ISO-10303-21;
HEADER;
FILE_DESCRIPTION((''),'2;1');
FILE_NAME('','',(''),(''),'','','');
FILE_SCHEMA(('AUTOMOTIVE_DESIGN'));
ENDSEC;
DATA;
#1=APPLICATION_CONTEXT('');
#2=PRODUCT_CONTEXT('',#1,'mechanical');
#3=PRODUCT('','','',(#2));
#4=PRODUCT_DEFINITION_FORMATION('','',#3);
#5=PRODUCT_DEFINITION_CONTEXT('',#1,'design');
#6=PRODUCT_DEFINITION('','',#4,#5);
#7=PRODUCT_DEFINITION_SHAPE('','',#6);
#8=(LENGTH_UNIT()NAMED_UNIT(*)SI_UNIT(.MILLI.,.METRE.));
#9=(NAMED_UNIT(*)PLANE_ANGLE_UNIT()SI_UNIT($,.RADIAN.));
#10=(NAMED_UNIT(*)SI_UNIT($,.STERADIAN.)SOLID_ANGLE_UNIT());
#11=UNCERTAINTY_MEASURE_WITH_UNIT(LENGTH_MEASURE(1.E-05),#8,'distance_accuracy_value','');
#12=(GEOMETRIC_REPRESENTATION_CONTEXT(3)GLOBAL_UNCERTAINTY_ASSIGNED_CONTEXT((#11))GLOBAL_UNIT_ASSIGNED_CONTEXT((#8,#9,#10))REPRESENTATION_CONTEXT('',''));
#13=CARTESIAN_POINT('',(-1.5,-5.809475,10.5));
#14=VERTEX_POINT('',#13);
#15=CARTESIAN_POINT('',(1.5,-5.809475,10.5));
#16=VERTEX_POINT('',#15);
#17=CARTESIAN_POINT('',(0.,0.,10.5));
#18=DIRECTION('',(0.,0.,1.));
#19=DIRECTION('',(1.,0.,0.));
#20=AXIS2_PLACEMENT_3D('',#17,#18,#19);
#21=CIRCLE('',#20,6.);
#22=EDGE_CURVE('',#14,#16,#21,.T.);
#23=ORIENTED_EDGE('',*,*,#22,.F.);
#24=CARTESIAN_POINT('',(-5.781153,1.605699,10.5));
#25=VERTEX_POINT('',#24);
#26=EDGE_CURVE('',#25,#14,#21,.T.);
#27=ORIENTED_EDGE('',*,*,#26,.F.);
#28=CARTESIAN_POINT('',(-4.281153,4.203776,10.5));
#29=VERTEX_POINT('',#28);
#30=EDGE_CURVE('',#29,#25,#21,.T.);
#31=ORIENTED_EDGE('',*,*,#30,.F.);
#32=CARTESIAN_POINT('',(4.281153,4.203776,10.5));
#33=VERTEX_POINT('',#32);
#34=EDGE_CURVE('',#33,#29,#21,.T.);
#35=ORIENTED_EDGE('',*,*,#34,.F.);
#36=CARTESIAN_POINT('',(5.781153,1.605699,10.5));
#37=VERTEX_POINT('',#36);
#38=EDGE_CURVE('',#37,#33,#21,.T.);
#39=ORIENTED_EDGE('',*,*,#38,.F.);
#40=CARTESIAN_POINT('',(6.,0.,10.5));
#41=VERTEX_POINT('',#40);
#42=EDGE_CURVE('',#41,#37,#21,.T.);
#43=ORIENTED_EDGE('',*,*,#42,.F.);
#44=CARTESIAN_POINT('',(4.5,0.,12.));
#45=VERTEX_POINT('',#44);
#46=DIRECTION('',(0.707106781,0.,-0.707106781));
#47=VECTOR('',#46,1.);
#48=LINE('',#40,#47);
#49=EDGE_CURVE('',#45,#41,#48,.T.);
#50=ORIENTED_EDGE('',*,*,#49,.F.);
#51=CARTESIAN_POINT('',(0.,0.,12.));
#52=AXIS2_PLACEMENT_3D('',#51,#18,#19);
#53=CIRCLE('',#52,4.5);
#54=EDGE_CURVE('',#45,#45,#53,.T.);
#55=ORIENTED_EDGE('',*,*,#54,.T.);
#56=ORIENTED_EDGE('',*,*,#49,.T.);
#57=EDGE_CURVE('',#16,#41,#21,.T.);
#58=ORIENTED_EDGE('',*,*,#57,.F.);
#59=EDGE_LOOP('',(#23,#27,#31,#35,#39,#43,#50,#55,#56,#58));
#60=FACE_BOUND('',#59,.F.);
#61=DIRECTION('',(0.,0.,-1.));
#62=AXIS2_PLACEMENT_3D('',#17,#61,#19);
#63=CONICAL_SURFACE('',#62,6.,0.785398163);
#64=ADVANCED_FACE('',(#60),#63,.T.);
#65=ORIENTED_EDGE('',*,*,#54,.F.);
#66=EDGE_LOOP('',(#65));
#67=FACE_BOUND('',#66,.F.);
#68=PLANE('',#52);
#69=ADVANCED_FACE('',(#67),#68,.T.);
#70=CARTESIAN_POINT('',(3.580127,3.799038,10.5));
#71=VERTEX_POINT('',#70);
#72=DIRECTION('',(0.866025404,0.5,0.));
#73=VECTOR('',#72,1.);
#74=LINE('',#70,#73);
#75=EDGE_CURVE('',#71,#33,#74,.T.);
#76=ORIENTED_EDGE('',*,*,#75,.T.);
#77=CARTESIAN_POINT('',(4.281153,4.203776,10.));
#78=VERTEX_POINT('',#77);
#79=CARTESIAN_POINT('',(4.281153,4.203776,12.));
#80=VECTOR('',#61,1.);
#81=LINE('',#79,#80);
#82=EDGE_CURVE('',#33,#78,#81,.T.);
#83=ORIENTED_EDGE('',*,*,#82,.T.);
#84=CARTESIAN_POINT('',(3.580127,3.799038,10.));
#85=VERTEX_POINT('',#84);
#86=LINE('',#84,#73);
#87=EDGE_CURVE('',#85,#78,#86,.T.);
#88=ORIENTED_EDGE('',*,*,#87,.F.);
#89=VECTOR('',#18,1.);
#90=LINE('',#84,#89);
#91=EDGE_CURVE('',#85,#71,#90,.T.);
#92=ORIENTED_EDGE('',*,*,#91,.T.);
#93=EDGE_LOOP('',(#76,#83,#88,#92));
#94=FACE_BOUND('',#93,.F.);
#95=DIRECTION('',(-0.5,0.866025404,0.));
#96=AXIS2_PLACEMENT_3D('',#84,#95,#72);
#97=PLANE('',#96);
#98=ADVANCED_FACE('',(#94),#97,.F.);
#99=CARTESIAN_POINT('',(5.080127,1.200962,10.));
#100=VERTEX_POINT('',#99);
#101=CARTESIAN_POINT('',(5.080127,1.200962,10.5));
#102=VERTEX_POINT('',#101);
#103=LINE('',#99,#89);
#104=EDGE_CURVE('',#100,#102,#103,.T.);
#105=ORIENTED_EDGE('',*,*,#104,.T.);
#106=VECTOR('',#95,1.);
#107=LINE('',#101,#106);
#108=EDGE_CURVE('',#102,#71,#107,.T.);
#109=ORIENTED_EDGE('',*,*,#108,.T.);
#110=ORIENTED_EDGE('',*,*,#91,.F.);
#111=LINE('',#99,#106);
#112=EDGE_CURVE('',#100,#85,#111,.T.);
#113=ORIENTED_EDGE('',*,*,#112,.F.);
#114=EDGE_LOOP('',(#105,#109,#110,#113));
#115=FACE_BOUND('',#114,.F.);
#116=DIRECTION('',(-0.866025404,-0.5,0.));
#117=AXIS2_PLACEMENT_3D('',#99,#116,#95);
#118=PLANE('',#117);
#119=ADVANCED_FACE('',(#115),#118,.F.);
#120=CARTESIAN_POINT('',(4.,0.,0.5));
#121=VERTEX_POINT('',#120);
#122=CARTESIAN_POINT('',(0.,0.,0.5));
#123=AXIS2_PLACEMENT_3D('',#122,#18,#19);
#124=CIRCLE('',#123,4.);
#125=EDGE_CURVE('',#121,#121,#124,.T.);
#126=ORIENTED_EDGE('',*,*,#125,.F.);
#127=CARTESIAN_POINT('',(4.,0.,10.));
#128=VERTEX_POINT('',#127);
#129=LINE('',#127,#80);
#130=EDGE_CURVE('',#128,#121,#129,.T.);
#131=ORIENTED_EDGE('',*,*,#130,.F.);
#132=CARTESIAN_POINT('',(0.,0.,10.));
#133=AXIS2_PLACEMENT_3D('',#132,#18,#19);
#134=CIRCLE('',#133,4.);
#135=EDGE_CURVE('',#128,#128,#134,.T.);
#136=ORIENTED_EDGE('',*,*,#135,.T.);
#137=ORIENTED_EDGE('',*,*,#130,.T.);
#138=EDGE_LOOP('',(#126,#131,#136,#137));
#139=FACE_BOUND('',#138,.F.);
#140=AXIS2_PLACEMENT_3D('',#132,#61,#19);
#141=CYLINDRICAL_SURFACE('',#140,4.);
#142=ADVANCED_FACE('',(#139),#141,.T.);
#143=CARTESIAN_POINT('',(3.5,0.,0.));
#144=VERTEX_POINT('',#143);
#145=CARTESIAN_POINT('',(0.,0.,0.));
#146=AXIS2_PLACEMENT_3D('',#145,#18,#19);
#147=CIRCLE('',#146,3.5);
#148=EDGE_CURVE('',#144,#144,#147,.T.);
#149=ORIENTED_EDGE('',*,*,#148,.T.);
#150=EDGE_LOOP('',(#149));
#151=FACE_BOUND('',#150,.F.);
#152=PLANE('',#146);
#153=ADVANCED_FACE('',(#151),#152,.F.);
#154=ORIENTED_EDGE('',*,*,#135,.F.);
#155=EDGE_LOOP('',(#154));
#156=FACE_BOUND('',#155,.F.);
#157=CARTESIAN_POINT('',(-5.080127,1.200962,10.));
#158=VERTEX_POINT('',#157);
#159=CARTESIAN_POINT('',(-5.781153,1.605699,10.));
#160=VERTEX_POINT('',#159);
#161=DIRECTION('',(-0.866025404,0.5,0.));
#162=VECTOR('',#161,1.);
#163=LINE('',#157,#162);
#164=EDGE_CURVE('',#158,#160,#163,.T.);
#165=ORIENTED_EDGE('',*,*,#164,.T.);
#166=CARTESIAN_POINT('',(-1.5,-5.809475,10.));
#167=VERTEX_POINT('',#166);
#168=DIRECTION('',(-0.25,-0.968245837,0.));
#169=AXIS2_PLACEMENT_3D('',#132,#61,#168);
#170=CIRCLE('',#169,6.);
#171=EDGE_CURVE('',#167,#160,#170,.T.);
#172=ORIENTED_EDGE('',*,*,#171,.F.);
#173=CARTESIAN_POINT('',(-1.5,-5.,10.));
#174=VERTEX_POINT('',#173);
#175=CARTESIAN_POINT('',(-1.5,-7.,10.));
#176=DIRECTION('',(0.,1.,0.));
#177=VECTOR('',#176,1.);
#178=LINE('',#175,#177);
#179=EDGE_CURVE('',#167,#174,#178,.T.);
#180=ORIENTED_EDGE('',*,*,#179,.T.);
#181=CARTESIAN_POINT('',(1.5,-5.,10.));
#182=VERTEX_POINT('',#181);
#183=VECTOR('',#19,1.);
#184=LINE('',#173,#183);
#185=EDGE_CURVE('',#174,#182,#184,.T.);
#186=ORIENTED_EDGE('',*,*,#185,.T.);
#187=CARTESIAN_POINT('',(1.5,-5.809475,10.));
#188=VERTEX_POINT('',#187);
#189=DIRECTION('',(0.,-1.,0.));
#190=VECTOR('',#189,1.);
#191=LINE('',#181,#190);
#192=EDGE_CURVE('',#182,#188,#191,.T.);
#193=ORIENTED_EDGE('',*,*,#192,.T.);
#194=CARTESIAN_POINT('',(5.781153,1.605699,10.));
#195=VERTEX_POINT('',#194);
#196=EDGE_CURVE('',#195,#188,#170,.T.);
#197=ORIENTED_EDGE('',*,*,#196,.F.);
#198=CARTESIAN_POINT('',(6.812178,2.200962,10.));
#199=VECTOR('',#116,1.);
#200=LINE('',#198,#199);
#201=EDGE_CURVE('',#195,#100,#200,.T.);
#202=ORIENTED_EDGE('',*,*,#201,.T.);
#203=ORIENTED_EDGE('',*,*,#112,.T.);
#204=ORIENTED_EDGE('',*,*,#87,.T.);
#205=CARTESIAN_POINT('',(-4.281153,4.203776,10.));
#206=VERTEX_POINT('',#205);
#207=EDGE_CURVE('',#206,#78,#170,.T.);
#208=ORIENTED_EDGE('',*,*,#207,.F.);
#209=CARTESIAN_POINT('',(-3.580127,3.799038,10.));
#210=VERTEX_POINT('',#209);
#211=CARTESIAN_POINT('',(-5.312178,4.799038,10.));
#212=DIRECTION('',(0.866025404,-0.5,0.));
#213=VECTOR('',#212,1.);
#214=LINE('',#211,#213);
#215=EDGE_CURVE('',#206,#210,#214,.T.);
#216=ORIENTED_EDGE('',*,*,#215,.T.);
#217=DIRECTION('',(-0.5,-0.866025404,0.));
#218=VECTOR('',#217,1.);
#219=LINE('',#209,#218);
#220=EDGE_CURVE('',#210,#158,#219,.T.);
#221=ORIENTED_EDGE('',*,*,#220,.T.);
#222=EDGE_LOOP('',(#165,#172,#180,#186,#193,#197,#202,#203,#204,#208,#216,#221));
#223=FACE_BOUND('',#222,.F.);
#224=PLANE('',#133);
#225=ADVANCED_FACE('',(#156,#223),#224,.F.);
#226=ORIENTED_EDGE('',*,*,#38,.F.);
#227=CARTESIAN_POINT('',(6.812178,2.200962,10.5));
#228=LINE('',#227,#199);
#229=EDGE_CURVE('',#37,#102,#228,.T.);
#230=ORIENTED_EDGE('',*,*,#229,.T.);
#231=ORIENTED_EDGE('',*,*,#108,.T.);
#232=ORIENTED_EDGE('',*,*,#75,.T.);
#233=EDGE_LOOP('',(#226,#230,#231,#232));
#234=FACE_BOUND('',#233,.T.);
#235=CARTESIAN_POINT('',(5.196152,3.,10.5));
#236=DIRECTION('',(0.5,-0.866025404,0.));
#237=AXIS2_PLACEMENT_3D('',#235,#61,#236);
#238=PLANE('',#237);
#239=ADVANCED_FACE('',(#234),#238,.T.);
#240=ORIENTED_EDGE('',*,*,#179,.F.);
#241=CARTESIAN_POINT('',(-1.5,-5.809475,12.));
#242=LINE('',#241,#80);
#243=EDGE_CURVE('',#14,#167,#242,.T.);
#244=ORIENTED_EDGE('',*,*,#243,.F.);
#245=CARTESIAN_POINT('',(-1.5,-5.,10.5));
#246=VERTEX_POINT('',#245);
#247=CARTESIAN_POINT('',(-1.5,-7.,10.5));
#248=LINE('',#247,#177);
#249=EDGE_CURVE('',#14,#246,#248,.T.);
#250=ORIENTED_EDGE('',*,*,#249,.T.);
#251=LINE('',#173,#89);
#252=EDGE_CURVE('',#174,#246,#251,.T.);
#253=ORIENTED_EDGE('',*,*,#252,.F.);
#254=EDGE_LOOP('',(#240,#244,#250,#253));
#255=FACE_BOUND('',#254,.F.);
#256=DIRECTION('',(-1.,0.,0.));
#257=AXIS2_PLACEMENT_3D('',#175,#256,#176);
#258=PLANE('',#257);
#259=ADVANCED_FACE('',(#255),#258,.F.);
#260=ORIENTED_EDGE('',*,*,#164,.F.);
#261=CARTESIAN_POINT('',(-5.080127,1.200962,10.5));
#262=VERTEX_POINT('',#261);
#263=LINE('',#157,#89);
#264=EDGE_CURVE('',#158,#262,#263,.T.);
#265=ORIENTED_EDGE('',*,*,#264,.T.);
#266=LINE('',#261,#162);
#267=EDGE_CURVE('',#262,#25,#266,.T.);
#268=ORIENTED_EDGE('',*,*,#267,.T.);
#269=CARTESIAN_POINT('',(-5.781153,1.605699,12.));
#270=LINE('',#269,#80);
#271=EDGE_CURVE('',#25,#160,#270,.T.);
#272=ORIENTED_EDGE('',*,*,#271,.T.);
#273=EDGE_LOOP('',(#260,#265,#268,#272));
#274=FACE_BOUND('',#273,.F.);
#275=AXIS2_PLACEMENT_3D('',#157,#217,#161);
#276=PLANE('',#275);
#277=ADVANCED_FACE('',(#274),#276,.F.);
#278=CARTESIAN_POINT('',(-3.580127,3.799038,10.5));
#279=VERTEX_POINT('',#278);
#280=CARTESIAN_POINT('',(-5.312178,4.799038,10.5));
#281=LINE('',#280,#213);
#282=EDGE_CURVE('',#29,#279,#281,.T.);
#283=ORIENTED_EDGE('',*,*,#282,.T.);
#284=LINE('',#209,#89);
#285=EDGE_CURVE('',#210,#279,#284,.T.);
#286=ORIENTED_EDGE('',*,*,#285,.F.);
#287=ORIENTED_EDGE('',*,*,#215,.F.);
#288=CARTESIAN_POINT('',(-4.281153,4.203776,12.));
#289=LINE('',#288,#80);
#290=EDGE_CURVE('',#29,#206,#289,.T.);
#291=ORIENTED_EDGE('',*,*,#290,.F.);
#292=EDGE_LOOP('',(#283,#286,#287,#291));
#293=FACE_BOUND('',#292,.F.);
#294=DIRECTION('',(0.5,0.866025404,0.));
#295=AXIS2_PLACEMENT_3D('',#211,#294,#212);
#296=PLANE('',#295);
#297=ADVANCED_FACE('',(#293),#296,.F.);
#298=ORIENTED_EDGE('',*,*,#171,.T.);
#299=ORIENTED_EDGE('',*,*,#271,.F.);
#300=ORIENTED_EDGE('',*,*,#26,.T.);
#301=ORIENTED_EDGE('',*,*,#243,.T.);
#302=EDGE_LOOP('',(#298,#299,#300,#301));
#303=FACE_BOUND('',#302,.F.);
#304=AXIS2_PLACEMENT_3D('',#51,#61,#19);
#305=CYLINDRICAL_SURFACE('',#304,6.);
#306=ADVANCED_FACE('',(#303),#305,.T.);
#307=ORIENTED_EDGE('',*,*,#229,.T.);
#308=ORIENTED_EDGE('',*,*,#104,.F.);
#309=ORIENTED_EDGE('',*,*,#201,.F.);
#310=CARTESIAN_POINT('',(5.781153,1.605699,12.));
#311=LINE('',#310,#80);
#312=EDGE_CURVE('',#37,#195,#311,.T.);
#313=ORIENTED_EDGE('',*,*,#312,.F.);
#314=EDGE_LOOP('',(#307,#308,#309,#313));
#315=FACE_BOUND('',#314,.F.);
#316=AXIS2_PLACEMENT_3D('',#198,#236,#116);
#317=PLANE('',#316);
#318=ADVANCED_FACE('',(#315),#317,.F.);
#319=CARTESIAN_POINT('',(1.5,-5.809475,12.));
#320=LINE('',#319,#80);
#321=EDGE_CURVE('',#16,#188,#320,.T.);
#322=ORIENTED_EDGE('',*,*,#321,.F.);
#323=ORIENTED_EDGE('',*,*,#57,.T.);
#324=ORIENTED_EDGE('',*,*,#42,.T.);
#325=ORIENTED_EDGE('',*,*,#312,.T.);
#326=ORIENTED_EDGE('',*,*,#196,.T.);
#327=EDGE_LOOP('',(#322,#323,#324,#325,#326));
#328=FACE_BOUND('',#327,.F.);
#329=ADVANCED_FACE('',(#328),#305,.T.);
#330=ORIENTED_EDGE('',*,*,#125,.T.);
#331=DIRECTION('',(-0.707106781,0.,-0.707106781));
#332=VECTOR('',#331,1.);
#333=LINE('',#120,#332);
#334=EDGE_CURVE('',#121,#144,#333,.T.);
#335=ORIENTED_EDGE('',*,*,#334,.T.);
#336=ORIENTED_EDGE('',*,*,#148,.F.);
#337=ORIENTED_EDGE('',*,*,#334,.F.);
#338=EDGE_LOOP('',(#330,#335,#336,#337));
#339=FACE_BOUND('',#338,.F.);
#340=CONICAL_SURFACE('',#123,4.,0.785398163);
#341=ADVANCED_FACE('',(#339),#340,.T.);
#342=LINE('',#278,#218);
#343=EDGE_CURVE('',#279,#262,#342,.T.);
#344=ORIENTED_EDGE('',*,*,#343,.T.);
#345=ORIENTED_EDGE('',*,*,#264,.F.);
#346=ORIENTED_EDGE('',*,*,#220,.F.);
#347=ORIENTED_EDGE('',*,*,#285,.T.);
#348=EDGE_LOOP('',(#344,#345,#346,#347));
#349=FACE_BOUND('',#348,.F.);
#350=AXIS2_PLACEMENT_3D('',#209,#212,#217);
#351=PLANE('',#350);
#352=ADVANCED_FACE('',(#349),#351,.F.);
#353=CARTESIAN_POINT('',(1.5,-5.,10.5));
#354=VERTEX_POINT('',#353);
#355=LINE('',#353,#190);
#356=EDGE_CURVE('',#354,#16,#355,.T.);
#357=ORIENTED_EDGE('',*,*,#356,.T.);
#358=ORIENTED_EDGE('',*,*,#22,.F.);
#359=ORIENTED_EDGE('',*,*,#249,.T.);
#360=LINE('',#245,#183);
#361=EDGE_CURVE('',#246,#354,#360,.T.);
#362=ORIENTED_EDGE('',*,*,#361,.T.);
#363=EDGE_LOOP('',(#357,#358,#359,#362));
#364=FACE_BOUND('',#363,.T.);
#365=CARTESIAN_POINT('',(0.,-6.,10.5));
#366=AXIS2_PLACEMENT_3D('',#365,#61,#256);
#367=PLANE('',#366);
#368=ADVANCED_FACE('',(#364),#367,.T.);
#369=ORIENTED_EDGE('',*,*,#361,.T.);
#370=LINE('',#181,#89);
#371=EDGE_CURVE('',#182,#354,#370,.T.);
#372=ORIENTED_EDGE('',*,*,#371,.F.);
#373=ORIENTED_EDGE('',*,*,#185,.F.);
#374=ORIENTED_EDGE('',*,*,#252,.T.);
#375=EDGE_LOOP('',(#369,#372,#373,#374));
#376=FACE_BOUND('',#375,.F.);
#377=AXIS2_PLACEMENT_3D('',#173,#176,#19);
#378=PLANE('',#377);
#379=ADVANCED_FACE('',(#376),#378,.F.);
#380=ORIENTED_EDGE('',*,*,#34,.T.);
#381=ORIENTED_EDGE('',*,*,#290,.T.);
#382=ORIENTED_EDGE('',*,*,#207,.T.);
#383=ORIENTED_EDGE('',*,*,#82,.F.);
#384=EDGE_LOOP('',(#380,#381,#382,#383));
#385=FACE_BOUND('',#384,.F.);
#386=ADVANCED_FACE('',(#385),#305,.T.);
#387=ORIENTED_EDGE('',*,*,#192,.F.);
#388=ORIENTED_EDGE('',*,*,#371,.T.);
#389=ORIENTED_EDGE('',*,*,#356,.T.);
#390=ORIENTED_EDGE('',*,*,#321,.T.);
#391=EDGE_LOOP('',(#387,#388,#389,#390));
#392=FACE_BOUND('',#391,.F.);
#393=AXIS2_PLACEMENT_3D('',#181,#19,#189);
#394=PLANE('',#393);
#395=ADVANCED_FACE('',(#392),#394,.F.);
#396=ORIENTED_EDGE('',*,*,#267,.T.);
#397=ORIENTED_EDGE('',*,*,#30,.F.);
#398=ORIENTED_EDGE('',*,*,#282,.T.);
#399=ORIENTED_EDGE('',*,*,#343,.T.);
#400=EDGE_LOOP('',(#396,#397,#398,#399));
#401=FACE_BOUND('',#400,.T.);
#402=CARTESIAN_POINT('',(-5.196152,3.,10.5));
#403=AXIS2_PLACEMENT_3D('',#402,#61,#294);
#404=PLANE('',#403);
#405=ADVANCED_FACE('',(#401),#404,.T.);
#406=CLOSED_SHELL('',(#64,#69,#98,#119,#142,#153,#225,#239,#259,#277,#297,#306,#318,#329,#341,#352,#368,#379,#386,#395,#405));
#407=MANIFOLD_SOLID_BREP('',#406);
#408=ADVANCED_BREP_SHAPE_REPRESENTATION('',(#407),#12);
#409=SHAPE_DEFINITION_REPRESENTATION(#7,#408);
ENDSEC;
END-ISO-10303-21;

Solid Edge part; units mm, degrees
sketch "Sketch1" plane through (0, 0, 0) normal (0, -1, 0) x (1, 0, 0)
  line L0 (0, 12) -> (6, 12)
  line L1 (6, 12) -> (6, 10)
  line L2 (6, 10) -> (4, 10)
  line L3 (4, 10) -> (4, 0)
  line L4 (4, 0) -> (0, 0)
  line L5 (0, 0) -> (0, 12)
revolve "RevolvedProtrusion1" add sketch "Sketch1" angle 360 about axis through (0, 0, 0) along (0, 0, 1)
chamfer "Chamfer1" distance 1.5 angle 45 1 edges at (-6, 0, 12)
chamfer "Chaflán_2" distance 0.5 angle 45 1 edges at (-4, 0, 0)
sketch "Sketch2" plane through (0, 0, 10) normal (0, 0, -1) x (1, 0, 0)
  line L0 (1.5, 7) -> (-1.5, 7)
  line L1 (-1.5, 7) -> (-1.5, 5)
  line L2 (-1.5, 5) -> (1.5, 5)
  line L3 (1.5, 5) -> (1.5, 7)
extrude "VaciadoExtruido_1" cut sketch "Sketch2" against normal blind 0.5
pattern_circular "Pattern1" count 3 over 360 about axis through (0, 0, 10) along (0, 0, -1) of "VaciadoExtruido_1"
